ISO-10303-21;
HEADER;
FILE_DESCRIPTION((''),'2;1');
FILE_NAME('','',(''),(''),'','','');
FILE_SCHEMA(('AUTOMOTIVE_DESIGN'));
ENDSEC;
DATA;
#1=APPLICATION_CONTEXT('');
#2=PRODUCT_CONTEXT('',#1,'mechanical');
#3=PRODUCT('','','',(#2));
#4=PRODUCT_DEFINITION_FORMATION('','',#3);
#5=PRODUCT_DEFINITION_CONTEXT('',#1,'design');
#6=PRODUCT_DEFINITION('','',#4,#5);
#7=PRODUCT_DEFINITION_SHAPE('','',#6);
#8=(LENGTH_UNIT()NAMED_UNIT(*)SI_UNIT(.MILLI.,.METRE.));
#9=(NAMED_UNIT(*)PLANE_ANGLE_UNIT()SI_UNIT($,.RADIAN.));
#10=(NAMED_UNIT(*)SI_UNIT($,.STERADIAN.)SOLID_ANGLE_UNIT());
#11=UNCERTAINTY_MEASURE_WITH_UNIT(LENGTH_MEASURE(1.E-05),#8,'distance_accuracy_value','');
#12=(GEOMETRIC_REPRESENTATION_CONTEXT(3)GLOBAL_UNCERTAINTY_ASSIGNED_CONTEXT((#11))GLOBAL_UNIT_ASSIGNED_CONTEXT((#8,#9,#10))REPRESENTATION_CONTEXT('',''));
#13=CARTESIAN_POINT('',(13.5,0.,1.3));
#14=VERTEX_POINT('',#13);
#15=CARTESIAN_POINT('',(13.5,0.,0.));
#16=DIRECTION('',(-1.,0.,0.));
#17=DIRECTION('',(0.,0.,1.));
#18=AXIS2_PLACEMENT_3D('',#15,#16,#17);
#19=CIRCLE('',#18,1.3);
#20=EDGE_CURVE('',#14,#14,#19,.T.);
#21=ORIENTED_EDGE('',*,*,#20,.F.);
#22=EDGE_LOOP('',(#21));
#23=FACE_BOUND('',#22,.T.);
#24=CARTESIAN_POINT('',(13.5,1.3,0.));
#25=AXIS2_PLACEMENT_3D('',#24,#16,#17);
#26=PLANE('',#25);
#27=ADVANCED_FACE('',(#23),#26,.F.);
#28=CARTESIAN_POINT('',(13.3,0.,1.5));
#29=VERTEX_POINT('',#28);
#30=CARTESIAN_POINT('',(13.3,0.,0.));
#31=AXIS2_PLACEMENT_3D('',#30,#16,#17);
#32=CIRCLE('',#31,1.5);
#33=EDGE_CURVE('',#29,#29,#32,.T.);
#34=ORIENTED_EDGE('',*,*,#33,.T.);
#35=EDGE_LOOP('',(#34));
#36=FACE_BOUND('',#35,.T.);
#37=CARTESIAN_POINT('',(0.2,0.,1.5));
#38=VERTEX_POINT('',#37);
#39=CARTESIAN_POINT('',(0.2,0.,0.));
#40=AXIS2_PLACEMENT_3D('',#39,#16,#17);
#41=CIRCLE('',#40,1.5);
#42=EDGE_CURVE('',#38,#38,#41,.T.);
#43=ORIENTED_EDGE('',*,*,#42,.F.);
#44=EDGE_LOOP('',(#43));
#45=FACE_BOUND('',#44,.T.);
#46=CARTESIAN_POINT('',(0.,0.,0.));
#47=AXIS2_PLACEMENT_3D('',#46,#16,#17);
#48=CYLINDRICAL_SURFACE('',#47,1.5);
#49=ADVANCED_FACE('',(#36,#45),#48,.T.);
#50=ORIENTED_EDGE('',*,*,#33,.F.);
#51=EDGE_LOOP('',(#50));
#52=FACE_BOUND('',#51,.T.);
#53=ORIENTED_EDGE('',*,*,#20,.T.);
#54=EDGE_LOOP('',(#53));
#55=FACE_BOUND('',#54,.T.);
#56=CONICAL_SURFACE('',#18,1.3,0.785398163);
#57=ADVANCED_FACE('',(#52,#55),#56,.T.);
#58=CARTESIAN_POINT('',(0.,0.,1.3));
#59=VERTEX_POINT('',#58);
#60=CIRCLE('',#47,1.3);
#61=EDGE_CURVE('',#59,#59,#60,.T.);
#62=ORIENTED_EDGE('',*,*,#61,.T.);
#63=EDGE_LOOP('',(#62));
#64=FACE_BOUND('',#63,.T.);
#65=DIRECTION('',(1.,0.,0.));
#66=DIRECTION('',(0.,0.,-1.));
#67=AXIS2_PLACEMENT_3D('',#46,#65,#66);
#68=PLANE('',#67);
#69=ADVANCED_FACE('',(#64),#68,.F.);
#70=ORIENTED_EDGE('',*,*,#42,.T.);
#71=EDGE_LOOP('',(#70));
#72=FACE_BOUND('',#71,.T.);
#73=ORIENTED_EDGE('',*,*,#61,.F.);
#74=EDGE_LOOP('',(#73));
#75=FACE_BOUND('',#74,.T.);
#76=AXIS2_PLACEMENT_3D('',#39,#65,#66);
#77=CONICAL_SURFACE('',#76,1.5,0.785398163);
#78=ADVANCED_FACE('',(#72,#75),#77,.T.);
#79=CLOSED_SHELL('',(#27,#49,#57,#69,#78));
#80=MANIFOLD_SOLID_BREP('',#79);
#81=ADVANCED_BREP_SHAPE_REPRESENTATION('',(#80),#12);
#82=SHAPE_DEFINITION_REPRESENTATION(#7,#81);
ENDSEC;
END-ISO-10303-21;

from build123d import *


with BuildPart() as part:
    # Эскиз1 → Повернуть1 (revolve)
    with BuildSketch(Plane.XY):
        Polygon((0, 0), (0, 1.3), (0.2, 1.5), (13.3, 1.5), (13.5, 1.3), (13.5, 0), align=None)
    revolve(axis=Axis((0, 0, 0), (1, 0, 0)))


solid = part.part
